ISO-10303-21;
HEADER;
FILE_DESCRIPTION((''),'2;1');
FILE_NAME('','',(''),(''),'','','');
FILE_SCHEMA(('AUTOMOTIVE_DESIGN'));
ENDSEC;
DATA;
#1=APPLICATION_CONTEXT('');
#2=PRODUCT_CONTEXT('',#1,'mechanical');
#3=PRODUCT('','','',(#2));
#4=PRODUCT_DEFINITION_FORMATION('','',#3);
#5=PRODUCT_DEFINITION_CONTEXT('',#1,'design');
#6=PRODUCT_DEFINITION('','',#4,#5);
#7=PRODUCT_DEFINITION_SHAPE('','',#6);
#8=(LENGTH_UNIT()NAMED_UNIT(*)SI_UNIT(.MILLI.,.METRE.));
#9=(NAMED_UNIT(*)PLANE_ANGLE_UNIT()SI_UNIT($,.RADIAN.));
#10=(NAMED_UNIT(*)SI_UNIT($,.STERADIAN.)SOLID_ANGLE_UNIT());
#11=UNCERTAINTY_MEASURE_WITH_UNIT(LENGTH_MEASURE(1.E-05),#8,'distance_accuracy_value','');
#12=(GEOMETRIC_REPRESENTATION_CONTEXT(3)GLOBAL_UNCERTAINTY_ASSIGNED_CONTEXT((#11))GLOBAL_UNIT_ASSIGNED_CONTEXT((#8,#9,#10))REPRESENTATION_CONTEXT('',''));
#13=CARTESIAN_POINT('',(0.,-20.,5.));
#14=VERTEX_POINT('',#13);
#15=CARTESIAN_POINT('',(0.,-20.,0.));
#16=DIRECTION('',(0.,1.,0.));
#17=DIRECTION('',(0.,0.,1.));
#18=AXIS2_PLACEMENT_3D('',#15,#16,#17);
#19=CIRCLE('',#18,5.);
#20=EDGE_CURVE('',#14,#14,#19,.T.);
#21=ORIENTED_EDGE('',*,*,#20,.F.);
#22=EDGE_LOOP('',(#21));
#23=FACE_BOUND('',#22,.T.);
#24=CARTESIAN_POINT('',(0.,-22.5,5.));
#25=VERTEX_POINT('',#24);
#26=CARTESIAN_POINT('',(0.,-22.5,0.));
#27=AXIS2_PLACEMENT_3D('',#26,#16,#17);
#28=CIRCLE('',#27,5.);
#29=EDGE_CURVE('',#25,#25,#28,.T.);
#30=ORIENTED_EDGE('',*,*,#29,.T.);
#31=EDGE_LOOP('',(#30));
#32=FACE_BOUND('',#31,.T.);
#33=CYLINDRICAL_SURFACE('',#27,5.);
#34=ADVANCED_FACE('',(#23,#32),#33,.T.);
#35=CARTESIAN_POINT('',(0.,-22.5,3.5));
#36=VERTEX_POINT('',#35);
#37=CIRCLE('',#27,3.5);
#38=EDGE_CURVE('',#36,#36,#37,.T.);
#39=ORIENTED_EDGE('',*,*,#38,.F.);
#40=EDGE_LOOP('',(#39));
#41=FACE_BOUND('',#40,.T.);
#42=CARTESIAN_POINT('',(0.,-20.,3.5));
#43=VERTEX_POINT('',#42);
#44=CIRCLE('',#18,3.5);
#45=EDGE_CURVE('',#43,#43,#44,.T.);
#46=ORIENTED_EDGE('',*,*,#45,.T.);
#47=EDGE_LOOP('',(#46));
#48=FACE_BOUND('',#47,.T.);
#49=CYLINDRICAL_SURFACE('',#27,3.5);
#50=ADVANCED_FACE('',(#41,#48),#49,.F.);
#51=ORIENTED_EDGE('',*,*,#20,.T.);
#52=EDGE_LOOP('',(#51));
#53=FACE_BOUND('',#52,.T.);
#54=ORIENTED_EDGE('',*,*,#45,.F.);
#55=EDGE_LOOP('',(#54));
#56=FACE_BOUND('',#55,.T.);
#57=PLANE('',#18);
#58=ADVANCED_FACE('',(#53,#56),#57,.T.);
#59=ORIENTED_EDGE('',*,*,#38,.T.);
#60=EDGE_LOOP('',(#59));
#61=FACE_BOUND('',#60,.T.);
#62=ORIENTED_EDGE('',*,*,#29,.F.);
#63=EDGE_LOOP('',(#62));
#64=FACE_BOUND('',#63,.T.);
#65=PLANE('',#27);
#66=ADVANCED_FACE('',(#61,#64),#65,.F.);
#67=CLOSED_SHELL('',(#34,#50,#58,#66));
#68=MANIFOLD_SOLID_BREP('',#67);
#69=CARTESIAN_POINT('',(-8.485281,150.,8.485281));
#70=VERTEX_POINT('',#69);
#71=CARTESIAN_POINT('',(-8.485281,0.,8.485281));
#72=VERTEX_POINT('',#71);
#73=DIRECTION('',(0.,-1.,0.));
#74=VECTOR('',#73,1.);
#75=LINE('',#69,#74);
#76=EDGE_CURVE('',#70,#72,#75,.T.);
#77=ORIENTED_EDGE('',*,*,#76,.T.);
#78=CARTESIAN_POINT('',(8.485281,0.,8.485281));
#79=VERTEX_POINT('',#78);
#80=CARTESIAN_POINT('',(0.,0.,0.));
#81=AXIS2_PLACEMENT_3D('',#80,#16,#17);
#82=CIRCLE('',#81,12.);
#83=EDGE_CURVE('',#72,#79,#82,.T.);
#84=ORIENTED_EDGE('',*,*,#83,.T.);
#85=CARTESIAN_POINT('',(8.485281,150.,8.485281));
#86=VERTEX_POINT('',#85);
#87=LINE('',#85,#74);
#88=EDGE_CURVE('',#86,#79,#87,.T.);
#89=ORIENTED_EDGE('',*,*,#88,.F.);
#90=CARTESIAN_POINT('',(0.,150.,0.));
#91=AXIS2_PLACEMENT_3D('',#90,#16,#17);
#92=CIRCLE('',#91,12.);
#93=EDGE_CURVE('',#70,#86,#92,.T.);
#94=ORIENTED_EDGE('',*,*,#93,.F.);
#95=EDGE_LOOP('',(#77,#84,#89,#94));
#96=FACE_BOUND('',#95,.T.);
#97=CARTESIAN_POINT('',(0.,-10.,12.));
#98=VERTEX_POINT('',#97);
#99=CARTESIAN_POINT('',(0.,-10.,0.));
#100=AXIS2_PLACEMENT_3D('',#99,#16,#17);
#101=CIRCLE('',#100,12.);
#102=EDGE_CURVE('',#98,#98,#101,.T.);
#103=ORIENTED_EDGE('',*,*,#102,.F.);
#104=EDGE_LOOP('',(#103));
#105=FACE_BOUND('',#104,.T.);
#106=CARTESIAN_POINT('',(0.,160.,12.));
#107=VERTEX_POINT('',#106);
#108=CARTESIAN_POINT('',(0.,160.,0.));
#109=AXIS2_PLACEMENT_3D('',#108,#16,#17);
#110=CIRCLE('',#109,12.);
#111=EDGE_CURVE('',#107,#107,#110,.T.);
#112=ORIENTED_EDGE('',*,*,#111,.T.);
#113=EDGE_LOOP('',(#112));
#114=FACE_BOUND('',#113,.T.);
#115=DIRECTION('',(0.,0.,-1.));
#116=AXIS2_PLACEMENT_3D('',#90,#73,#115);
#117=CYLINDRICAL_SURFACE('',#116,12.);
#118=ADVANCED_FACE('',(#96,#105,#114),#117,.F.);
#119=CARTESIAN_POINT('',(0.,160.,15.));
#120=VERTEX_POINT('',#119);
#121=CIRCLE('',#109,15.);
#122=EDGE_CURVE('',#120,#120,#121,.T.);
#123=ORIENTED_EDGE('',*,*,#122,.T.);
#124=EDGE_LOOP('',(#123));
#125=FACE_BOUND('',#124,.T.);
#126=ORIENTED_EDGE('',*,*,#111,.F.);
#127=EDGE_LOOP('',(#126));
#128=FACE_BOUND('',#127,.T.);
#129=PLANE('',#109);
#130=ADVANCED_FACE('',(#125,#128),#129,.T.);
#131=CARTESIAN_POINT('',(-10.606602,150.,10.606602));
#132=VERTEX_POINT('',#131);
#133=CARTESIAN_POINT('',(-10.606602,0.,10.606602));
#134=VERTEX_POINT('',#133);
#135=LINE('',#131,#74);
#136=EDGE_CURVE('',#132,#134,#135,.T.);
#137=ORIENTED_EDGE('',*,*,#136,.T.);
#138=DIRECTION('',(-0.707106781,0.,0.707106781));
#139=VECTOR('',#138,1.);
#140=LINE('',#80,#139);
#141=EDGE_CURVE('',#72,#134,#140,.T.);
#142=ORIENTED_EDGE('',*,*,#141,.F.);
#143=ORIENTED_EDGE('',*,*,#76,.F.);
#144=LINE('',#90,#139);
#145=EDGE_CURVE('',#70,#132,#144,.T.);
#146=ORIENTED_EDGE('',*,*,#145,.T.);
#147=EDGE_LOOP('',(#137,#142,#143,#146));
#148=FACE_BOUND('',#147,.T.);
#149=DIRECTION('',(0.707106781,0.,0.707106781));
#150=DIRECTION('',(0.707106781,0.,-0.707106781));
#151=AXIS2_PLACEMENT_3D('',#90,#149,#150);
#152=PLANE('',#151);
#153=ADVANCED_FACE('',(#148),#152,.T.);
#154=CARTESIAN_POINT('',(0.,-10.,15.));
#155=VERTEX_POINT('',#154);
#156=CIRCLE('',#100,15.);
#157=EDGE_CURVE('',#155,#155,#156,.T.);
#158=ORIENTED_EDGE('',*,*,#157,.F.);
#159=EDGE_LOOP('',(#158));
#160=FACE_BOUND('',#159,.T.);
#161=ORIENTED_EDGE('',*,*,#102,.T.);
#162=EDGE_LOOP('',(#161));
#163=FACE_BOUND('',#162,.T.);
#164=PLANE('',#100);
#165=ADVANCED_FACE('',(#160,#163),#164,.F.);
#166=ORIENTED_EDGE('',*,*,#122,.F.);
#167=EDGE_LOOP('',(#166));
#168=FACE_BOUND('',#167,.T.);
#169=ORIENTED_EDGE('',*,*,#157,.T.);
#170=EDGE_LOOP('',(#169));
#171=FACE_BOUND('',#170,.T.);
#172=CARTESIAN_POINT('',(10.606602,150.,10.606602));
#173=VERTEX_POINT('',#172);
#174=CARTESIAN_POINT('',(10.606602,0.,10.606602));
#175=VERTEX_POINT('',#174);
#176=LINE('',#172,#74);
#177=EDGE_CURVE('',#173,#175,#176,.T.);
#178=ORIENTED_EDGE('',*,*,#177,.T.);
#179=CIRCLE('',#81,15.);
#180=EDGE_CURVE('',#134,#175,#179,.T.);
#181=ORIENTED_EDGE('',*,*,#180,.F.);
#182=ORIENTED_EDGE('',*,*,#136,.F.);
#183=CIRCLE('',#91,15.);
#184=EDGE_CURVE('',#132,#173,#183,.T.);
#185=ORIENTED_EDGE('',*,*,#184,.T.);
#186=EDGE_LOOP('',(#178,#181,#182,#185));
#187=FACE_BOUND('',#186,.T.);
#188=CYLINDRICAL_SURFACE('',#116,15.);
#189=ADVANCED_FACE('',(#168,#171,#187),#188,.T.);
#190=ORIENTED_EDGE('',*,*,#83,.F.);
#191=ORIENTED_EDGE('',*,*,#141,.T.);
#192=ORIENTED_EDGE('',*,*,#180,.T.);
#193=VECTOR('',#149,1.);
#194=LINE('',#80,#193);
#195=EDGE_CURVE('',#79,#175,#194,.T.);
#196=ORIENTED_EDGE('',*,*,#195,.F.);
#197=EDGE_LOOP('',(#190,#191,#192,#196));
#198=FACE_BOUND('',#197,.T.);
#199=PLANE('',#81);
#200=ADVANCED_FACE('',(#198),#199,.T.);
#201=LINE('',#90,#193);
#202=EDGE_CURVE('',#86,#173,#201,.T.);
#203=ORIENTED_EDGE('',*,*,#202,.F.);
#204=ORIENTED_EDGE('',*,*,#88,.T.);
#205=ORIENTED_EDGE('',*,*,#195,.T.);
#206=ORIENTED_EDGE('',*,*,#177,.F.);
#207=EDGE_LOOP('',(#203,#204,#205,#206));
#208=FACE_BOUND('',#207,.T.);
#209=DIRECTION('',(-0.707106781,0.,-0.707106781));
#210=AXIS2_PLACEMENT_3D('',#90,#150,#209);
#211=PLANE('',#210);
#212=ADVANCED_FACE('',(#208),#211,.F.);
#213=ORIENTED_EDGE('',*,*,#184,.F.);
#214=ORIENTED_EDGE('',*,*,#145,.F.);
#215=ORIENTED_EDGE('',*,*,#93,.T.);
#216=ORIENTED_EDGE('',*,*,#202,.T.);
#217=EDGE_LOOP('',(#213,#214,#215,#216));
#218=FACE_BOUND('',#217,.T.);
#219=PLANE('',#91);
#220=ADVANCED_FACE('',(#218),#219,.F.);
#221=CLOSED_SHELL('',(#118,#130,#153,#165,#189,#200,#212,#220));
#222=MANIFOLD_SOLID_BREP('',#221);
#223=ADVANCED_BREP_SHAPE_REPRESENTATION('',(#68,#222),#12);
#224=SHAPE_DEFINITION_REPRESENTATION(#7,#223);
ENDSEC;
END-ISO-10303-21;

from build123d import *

# Parameters (mm, degrees)
INNER_TUBE_DEPTH     = 150
BOTTOM_EXTRUDE_DEPTH = 10
TOP_START            = 150
TOP_EXTRUDE_DEPTH    = 10
BOSS_EXTRUDE4_START  = -20
SKETCH1_8_R          = 5
SKETCH1_8_R_2        = 3.5
BOSS_EXTRUDE4_DEPTH  = 2.5


with BuildPart() as part:
    # Sketch1 → Inner Tube (new body)
    with BuildSketch(Plane(origin=(0, 0, 0), x_dir=(1, 0, 0), z_dir=(0, 1, 0))):
        with BuildLine():
            Line((-10.606601718, -10.606601718), (-8.485281374, -8.485281374))
            ThreePointArc((-8.485281374, -8.485281374), (-4.592201188, 11.08655439), (12, 0))
            ThreePointArc((12, 0), (11.08655439, -4.592201188), (8.485281374, -8.485281374))
            Line((8.485281374, -8.485281374), (10.606601718, -10.606601718))
            ThreePointArc((10.606601718, -10.606601718), (13.858192988, -5.740251485), (15, 0))
            ThreePointArc((15, 0), (-5.740251485, 13.858192988), (-10.606601718, -10.606601718))
        make_face()
    extrude(amount=INNER_TUBE_DEPTH)

    # Sketch1<3> → Bottom Extrude (add)
    with BuildSketch(Plane(origin=(0, 0, 0), x_dir=(1, 0, 0), z_dir=(0, 1, 0))):
        with BuildLine():
            ThreePointArc((8.485281374, -8.485281374), (0, -12), (-8.485281374, -8.485281374))
            Line((-8.485281374, -8.485281374), (-10.606601718, -10.606601718))
            ThreePointArc((-10.606601718, -10.606601718), (0, -15), (10.606601718, -10.606601718))
            Line((10.606601718, -10.606601718), (8.485281374, -8.485281374))
        make_face()
        with BuildLine():
            Line((-10.606601718, -10.606601718), (-8.485281374, -8.485281374))
            ThreePointArc((-8.485281374, -8.485281374), (-4.592201188, 11.08655439), (12, 0))
            ThreePointArc((12, 0), (11.08655439, -4.592201188), (8.485281374, -8.485281374))
            Line((8.485281374, -8.485281374), (10.606601718, -10.606601718))
            ThreePointArc((10.606601718, -10.606601718), (13.858192988, -5.740251485), (15, 0))
            ThreePointArc((15, 0), (-5.740251485, 13.858192988), (-10.606601718, -10.606601718))
        make_face()
    extrude(amount=-BOTTOM_EXTRUDE_DEPTH)

    # Sketch1<4> → Top Extrude (add)
    with BuildSketch(Plane(origin=(0, 0, 0), x_dir=(1, 0, 0), z_dir=(0, 1, 0)).offset(TOP_START)):
        with BuildLine():
            ThreePointArc((8.485281374, -8.485281374), (0, -12), (-8.485281374, -8.485281374))
            Line((-8.485281374, -8.485281374), (-10.606601718, -10.606601718))
            ThreePointArc((-10.606601718, -10.606601718), (0, -15), (10.606601718, -10.606601718))
            Line((10.606601718, -10.606601718), (8.485281374, -8.485281374))
        make_face()
        with BuildLine():
            Line((-10.606601718, -10.606601718), (-8.485281374, -8.485281374))
            ThreePointArc((-8.485281374, -8.485281374), (-4.592201188, 11.08655439), (12, 0))
            ThreePointArc((12, 0), (11.08655439, -4.592201188), (8.485281374, -8.485281374))
            Line((8.485281374, -8.485281374), (10.606601718, -10.606601718))
            ThreePointArc((10.606601718, -10.606601718), (13.858192988, -5.740251485), (15, 0))
            ThreePointArc((15, 0), (-5.740251485, 13.858192988), (-10.606601718, -10.606601718))
        make_face()
    extrude(amount=TOP_EXTRUDE_DEPTH)


with BuildPart() as body_2:
    # Sketch1<8> → Boss-Extrude4 (new body)
    with BuildSketch(Plane(origin=(0, 0, 0), x_dir=(1, 0, 0), z_dir=(0, 1, 0)).offset(BOSS_EXTRUDE4_START)):
        Circle(SKETCH1_8_R)
        Circle(SKETCH1_8_R_2, mode=Mode.SUBTRACT)
    extrude(amount=-BOSS_EXTRUDE4_DEPTH)


solid = Compound([part.part, body_2.part])
